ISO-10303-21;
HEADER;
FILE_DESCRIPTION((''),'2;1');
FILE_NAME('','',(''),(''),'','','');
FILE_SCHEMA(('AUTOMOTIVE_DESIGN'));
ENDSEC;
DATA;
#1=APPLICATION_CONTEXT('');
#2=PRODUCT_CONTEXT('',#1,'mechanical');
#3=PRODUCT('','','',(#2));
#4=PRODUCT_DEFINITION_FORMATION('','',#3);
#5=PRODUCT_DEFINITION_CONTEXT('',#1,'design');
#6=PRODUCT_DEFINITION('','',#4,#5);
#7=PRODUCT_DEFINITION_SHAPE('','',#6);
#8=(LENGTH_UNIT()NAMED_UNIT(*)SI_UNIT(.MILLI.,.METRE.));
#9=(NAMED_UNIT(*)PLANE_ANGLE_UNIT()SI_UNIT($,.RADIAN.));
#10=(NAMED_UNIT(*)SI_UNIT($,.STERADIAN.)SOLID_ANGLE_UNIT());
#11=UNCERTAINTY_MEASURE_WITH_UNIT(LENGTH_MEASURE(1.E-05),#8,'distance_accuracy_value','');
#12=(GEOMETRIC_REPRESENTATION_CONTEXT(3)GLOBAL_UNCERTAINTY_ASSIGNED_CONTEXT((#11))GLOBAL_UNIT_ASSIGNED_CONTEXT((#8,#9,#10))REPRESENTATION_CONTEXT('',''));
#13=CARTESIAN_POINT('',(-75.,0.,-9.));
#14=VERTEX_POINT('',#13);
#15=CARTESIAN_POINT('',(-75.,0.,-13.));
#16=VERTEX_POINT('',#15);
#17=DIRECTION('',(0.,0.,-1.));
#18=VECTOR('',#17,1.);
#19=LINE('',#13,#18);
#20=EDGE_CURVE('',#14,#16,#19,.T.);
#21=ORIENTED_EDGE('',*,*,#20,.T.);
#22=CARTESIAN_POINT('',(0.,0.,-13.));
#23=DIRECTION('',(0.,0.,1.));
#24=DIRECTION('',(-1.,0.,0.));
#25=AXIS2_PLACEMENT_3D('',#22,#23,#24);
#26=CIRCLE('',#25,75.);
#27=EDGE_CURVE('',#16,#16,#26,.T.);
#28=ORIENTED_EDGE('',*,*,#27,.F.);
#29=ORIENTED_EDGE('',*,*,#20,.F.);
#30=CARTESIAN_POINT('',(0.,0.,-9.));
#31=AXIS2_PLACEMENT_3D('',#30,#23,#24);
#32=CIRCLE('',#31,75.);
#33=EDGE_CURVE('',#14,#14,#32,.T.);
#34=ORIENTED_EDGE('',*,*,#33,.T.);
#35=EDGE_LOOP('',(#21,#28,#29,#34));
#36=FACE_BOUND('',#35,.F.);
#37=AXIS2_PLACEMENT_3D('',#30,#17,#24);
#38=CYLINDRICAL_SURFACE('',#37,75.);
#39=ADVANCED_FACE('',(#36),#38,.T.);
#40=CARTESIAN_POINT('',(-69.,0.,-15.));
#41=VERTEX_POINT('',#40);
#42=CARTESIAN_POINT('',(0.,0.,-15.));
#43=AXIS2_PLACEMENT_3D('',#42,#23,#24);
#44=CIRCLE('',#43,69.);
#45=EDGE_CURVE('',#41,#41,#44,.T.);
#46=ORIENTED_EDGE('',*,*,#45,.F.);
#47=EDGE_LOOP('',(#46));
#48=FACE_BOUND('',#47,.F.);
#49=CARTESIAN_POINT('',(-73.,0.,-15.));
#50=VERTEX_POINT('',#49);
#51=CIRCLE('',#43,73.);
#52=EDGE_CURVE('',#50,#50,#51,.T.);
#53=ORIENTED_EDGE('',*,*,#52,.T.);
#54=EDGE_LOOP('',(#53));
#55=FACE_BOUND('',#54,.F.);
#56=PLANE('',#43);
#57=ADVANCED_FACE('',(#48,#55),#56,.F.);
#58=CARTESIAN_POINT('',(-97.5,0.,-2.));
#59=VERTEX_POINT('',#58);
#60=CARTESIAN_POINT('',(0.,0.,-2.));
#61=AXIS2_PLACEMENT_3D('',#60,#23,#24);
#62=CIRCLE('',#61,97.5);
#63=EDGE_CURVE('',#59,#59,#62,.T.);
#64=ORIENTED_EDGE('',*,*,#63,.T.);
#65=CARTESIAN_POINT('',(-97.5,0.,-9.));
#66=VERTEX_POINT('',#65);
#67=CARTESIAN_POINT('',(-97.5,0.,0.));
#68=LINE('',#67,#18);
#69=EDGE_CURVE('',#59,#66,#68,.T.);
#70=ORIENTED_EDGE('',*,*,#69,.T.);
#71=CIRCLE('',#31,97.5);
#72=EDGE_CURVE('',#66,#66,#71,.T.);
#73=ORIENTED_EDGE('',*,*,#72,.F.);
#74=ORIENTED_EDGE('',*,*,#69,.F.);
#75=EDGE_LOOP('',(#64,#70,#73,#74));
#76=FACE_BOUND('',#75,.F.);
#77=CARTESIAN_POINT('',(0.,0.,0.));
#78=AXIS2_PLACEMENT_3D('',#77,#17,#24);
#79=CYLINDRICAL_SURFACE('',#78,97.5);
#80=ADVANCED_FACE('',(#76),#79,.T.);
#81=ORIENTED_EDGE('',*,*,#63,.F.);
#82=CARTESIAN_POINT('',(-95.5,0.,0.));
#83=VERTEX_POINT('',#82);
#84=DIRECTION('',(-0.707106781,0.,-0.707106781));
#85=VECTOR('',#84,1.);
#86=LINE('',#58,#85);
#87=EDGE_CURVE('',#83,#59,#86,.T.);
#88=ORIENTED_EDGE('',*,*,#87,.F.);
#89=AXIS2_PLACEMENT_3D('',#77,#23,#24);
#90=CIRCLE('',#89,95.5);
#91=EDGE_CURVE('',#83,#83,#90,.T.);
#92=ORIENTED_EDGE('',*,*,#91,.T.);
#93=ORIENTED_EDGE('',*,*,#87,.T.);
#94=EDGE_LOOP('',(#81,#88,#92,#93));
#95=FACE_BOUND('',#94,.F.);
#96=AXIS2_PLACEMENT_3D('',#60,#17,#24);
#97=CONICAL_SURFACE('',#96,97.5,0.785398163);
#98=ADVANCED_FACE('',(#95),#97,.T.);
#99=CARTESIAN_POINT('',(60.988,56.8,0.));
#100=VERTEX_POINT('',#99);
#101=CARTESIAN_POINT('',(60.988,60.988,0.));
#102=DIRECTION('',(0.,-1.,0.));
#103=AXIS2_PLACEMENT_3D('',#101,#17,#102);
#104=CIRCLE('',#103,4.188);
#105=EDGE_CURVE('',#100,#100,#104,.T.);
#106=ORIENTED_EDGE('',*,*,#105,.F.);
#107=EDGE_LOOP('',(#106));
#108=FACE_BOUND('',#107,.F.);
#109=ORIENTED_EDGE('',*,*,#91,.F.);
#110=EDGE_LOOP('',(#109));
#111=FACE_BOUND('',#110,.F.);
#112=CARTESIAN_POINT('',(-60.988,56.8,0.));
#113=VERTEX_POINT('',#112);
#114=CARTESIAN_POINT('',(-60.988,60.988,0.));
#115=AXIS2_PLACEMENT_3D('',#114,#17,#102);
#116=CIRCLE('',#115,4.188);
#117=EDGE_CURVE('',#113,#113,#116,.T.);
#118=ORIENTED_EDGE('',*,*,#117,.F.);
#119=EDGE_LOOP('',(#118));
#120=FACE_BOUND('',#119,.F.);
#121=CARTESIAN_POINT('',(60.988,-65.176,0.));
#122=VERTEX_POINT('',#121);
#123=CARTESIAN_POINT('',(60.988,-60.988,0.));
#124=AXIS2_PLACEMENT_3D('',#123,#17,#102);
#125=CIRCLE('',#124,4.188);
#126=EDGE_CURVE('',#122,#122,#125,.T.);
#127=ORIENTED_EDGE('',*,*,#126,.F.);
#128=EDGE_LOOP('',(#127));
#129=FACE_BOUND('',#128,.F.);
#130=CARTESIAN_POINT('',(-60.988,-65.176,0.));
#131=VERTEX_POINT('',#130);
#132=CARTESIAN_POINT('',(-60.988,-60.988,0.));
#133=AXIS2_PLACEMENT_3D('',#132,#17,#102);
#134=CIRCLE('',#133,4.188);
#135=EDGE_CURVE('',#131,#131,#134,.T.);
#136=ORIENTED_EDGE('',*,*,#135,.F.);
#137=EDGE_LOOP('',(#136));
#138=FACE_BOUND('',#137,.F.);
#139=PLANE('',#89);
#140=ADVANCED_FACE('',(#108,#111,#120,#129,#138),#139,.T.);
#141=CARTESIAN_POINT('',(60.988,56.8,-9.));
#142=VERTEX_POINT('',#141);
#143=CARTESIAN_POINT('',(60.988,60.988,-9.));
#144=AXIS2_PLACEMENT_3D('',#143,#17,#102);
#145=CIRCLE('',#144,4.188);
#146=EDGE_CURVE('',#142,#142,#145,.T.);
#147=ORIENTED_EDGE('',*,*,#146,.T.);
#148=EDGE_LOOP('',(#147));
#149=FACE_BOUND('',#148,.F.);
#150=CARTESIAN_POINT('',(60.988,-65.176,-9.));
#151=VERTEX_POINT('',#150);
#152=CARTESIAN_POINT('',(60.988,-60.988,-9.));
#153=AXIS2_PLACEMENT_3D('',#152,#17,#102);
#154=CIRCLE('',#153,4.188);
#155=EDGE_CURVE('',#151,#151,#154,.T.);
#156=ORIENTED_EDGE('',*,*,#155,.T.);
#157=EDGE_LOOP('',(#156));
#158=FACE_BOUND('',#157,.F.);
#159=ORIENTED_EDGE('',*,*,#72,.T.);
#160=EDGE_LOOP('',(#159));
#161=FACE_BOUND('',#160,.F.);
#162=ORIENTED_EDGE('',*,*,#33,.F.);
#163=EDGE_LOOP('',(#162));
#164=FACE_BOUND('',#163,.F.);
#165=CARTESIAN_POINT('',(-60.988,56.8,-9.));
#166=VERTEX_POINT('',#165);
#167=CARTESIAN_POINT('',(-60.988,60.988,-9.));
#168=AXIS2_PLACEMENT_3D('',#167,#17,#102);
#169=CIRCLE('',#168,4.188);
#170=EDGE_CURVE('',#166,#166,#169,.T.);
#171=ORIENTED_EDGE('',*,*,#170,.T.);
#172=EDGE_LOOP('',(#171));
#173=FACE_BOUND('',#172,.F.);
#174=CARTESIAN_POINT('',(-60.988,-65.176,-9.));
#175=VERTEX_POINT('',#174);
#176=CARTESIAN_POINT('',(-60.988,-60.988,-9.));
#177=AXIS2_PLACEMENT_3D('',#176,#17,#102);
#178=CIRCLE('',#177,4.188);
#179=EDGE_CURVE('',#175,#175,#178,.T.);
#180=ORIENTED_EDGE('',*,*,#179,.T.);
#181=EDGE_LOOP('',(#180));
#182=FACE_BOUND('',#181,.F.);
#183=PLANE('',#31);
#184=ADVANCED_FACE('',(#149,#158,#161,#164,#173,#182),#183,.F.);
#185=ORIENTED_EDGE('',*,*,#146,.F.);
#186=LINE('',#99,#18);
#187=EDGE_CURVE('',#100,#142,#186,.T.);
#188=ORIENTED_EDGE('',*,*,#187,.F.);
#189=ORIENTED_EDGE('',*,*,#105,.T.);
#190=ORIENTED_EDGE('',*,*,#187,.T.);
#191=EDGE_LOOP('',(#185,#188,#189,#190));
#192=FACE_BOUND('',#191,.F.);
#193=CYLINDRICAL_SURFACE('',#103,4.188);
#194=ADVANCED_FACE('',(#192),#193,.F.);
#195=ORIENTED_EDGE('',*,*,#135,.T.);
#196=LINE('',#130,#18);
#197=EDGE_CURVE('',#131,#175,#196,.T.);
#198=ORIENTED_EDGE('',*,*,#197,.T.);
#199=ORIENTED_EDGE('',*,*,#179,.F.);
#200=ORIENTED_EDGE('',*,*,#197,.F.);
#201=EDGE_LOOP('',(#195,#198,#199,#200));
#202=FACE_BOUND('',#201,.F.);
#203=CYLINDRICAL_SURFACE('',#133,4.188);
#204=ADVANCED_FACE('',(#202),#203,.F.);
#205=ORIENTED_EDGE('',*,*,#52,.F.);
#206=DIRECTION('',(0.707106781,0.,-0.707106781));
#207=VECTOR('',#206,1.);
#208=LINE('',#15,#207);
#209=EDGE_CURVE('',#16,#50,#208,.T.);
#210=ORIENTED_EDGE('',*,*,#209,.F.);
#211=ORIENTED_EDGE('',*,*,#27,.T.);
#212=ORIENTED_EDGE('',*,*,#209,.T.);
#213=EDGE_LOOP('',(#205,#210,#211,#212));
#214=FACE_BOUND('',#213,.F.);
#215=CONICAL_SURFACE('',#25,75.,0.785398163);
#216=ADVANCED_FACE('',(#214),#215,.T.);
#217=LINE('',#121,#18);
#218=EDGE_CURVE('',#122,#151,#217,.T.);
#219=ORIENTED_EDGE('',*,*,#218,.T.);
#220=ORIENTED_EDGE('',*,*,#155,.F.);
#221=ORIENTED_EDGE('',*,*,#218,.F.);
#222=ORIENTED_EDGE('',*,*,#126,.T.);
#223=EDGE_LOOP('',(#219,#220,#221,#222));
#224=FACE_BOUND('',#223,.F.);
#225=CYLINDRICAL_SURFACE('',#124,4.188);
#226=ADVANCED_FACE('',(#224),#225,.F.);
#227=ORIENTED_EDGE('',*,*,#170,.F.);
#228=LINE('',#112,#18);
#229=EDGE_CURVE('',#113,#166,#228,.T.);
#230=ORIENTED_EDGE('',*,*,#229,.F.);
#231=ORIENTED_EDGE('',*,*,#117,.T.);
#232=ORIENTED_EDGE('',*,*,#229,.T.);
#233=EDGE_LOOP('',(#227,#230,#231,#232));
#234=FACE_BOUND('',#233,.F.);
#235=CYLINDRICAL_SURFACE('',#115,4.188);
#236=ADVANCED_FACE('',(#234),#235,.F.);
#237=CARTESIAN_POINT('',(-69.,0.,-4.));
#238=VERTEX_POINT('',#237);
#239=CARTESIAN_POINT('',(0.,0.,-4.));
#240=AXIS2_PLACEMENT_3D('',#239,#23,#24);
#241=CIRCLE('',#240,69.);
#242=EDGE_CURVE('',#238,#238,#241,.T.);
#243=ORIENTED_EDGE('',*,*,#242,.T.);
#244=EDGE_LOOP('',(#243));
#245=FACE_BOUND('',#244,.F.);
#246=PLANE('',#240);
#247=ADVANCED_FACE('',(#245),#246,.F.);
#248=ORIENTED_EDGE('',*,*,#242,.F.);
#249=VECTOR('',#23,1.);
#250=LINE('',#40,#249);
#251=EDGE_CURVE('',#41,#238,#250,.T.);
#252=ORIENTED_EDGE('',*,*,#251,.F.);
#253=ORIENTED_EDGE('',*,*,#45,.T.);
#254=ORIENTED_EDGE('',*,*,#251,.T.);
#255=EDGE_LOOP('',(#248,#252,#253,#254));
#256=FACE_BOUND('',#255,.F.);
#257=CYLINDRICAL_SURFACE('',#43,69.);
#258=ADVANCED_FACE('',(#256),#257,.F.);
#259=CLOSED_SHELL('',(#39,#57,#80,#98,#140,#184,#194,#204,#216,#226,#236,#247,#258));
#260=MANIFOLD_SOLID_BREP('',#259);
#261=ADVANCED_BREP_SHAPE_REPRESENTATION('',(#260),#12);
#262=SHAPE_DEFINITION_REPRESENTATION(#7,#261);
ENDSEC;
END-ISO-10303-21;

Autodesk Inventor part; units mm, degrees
ref_plane "YZ Plane" through (0, 0, 0) normal (1, 0, 0) x (0, 1, 0)
ref_plane "XZ Plane" through (0, 0, 0) normal (0, 1, 0) x (-1, 0, 0)
ref_plane "XY Plane" through (0, 0, 0) normal (0, 0, 1) x (1, 0, 0)
sketch "Эскиз1" plane through (0, 0, 0) normal (0, 1, 0) x (-1, 0, 0)
  line L0 (0, 0) -> (97.5, 0)
  line L1 (97.5, 0) -> (97.5, -9)
  line L2 (97.5, -9) -> (75, -9)
  line L3 (75, -9) -> (75, -15)
  line L4 (0, -4) -> (0, 0)
  line L5 (75, -15) -> (69, -15)
  line L6 (69, -15) -> (69, -4)
  line L7 (69, -4) -> (0, -4)
  dimension "d0" = 195
  dimension "d1" = 150
  dimension "d3" = 9
  dimension "d5" = 15
  dimension "d6" = 138
  dimension "d7" = 4
revolve "Вращение1" add sketch "Эскиз1" angle 360 about axis through (0, 0, -4) along (0, 0, 1)
sketch "Эскиз3" plane through (0, 0, 0) normal (0, 0, 1) x (1, 0, 0)
  circle A0 centre (0, 0) radius 86.25 construction
  line L0 (0, 0) -> (-91.162, -91.162) construction
  line L1 (0, 0) -> (128.9225, 0) construction
  point P0 (0, 0)
  point P1 (-60.988, -60.988)
  point P2 (60.988, -60.988)
  point P3 (60.988, 60.988)
  point P4 (-60.988, 60.988)
  dimension "d15" = 172.5
  dimension "d16" = 135
  dimension "d19" = 360
hole "Отверстие1" at (-60.988, -60.988, 0) at (60.988, -60.988, 0) at (60.988, 60.988, 0) at (-60.988, 60.988, 0) direction (0, 0, -1) diameter 8.376 end through all thread size "M10x1.5" class "6H" standard "ISO Metric profile"
chamfer "Фаска1" distance 2 angle 45 2 edges at (75, 0, -15) (97.5, 0, 0)
properties part number "МПСТ Крышка подшипника глухая 150" material "Сталь, углеродистая"
